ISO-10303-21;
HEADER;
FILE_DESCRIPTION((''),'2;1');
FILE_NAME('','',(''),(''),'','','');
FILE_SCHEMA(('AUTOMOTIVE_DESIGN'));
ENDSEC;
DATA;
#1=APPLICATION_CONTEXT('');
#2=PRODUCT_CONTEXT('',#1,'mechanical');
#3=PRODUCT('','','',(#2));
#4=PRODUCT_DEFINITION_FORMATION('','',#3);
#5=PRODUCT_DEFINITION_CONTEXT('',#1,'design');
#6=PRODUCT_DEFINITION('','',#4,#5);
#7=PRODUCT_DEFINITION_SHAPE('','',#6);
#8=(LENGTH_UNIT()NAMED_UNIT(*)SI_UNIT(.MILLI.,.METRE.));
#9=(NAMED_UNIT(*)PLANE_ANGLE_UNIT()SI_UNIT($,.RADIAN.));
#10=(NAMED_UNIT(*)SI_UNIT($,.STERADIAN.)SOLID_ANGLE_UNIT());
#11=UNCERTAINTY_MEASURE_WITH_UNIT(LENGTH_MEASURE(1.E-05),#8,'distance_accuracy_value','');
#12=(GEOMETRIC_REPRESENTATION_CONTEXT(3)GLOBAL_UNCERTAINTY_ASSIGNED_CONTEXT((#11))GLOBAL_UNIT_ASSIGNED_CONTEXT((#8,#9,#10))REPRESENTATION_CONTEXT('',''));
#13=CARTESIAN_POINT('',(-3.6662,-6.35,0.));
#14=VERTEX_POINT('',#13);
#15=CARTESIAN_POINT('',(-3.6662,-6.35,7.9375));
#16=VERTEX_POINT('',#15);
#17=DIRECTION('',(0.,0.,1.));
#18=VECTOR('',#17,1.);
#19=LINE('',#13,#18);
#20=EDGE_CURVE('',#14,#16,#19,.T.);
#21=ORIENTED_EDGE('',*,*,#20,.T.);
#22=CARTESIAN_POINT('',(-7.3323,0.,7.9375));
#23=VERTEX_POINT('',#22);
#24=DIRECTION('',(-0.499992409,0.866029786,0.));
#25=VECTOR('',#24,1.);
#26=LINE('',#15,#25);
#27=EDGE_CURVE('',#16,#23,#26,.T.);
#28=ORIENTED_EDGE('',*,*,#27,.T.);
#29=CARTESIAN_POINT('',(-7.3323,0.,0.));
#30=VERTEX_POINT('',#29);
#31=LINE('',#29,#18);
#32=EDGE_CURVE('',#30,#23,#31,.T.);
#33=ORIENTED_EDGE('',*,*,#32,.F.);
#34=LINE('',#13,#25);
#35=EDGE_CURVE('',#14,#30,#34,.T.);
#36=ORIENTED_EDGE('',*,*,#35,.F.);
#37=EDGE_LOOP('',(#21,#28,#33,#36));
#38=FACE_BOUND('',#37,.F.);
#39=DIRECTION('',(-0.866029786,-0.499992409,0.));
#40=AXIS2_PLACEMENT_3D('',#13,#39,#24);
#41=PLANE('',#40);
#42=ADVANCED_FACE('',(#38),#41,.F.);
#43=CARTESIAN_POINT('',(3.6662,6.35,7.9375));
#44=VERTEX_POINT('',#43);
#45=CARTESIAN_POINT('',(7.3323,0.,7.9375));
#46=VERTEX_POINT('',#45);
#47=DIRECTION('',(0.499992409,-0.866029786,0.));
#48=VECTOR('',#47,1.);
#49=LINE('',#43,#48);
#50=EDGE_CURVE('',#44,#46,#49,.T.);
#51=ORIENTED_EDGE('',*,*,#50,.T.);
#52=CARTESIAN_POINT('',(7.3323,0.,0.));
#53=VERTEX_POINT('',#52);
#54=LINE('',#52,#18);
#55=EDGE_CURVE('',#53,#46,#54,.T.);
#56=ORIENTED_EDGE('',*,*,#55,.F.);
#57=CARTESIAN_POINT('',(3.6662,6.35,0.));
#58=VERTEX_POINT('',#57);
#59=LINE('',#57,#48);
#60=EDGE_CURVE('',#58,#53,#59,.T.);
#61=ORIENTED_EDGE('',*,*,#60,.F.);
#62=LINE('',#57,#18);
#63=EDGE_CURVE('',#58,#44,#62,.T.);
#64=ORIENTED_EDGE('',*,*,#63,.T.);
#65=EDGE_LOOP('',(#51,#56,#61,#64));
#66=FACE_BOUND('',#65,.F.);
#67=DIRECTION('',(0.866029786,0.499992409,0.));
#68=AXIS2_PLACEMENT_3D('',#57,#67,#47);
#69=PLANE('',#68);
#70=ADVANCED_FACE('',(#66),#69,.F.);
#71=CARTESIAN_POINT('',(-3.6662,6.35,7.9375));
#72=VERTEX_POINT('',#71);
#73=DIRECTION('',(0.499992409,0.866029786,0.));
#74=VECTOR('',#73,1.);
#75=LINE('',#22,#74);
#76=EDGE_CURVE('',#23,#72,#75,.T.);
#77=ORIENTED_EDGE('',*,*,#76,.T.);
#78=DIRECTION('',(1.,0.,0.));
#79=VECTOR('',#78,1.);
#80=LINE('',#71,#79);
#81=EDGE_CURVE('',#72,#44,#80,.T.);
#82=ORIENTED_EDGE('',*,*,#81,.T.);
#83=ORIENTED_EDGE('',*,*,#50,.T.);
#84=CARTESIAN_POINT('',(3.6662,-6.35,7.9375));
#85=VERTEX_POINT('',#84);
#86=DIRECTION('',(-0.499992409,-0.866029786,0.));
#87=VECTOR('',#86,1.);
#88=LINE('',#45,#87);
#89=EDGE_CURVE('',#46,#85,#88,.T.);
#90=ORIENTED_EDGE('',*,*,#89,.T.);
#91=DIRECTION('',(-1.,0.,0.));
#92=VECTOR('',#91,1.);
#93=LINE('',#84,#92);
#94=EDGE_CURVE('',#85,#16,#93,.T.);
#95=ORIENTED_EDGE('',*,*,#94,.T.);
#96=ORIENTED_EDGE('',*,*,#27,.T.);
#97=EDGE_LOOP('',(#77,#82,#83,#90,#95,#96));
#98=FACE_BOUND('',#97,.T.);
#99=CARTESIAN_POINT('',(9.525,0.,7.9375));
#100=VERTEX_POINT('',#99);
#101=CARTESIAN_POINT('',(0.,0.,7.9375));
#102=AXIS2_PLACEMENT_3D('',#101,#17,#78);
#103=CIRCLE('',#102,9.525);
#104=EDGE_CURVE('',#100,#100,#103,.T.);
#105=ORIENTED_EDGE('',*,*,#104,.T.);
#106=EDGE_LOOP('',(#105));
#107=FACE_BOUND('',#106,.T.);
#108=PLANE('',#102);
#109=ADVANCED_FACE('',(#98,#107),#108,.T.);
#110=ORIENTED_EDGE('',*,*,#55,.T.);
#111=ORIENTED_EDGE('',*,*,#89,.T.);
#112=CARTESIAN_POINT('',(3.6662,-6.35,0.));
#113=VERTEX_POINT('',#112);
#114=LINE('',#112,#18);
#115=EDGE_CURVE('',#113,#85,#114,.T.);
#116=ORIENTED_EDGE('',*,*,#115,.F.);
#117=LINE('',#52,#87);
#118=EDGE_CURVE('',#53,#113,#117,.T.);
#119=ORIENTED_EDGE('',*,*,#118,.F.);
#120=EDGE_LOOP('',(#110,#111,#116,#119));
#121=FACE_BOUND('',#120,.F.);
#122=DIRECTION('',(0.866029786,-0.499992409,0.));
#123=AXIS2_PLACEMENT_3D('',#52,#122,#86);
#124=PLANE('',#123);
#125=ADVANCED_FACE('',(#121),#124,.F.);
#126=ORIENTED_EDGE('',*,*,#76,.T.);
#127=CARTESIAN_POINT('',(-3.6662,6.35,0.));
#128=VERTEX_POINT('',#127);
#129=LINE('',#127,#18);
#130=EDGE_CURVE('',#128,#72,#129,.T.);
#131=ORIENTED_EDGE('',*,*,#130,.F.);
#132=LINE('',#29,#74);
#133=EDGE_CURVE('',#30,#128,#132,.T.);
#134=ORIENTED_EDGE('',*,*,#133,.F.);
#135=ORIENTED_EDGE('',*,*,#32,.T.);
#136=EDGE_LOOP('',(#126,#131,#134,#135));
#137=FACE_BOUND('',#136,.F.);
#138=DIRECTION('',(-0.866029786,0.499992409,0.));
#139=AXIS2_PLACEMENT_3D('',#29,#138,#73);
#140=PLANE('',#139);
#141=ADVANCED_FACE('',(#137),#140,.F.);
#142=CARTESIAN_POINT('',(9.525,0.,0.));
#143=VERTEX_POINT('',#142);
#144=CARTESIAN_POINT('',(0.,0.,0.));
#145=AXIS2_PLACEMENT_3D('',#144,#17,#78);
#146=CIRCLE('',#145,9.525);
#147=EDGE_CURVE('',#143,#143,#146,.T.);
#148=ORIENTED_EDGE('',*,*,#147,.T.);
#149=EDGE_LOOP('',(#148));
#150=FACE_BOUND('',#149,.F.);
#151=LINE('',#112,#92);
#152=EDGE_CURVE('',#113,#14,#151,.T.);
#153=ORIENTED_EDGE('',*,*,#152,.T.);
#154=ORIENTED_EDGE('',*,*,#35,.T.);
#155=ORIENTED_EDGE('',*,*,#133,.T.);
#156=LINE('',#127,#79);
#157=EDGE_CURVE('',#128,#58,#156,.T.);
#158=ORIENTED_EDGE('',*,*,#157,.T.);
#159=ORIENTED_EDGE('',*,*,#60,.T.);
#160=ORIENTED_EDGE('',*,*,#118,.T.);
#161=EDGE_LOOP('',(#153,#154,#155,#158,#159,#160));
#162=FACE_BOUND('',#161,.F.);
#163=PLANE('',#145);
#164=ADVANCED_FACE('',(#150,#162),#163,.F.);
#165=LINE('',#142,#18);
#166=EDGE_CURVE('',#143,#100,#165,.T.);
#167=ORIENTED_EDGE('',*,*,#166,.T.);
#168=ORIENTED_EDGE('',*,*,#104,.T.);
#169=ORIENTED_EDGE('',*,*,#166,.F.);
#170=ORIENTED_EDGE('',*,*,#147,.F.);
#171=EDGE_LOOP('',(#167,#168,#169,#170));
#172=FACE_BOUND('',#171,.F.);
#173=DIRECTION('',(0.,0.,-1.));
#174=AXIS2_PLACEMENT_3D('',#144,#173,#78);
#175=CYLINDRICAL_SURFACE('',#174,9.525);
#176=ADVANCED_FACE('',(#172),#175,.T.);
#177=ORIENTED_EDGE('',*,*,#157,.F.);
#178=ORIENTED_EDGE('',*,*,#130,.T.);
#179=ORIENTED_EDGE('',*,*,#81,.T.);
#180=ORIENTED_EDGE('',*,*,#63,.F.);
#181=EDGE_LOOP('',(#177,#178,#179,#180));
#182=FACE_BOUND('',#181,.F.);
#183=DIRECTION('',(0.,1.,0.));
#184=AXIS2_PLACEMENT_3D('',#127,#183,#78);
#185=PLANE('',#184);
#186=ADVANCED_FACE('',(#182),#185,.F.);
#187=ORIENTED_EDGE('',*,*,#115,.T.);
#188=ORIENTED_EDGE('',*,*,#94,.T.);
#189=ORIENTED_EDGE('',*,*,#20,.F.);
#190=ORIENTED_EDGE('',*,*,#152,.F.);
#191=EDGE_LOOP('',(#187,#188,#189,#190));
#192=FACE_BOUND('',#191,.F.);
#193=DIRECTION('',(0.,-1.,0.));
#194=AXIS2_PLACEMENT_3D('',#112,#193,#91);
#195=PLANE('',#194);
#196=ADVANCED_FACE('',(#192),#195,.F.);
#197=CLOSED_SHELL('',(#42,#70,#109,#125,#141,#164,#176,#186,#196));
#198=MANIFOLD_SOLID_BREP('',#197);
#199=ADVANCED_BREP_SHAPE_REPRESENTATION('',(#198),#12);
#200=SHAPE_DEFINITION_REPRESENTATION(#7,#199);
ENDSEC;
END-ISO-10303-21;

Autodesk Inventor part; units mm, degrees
ref_plane "YZ Plane" through (0, 0, 0) normal (1, 0, 0) x (0, 1, 0)
ref_plane "XZ Plane" through (0, 0, 0) normal (0, 1, 0) x (-1, 0, 0)
ref_plane "XY Plane" through (0, 0, 0) normal (0, 0, 1) x (1, 0, 0)
sketch "Sketch1" plane through (0, 0, 0) normal (0, 0, 1) x (1, 0, 0)
  circle A0 centre (0, 0) radius 9.525
  line L0 (7.3323, 0) -> (3.6662, -6.35)
  line L1 (3.6662, -6.35) -> (-3.6662, -6.35)
  line L2 (-3.6662, -6.35) -> (-7.3323, 0)
  line L3 (-7.3323, 0) -> (-3.6662, 6.35)
  line L4 (-3.6662, 6.35) -> (3.6662, 6.35)
  line L5 (3.6662, 6.35) -> (7.3323, 0)
  dimension "d0" = 19.05
  dimension "d2" = 12.7
extrude "Extrusion1" add sketch "Sketch1" along normal blind 7.9375
properties part number "ARM_084_0.3125Spacer" material "PVC-Piping"
